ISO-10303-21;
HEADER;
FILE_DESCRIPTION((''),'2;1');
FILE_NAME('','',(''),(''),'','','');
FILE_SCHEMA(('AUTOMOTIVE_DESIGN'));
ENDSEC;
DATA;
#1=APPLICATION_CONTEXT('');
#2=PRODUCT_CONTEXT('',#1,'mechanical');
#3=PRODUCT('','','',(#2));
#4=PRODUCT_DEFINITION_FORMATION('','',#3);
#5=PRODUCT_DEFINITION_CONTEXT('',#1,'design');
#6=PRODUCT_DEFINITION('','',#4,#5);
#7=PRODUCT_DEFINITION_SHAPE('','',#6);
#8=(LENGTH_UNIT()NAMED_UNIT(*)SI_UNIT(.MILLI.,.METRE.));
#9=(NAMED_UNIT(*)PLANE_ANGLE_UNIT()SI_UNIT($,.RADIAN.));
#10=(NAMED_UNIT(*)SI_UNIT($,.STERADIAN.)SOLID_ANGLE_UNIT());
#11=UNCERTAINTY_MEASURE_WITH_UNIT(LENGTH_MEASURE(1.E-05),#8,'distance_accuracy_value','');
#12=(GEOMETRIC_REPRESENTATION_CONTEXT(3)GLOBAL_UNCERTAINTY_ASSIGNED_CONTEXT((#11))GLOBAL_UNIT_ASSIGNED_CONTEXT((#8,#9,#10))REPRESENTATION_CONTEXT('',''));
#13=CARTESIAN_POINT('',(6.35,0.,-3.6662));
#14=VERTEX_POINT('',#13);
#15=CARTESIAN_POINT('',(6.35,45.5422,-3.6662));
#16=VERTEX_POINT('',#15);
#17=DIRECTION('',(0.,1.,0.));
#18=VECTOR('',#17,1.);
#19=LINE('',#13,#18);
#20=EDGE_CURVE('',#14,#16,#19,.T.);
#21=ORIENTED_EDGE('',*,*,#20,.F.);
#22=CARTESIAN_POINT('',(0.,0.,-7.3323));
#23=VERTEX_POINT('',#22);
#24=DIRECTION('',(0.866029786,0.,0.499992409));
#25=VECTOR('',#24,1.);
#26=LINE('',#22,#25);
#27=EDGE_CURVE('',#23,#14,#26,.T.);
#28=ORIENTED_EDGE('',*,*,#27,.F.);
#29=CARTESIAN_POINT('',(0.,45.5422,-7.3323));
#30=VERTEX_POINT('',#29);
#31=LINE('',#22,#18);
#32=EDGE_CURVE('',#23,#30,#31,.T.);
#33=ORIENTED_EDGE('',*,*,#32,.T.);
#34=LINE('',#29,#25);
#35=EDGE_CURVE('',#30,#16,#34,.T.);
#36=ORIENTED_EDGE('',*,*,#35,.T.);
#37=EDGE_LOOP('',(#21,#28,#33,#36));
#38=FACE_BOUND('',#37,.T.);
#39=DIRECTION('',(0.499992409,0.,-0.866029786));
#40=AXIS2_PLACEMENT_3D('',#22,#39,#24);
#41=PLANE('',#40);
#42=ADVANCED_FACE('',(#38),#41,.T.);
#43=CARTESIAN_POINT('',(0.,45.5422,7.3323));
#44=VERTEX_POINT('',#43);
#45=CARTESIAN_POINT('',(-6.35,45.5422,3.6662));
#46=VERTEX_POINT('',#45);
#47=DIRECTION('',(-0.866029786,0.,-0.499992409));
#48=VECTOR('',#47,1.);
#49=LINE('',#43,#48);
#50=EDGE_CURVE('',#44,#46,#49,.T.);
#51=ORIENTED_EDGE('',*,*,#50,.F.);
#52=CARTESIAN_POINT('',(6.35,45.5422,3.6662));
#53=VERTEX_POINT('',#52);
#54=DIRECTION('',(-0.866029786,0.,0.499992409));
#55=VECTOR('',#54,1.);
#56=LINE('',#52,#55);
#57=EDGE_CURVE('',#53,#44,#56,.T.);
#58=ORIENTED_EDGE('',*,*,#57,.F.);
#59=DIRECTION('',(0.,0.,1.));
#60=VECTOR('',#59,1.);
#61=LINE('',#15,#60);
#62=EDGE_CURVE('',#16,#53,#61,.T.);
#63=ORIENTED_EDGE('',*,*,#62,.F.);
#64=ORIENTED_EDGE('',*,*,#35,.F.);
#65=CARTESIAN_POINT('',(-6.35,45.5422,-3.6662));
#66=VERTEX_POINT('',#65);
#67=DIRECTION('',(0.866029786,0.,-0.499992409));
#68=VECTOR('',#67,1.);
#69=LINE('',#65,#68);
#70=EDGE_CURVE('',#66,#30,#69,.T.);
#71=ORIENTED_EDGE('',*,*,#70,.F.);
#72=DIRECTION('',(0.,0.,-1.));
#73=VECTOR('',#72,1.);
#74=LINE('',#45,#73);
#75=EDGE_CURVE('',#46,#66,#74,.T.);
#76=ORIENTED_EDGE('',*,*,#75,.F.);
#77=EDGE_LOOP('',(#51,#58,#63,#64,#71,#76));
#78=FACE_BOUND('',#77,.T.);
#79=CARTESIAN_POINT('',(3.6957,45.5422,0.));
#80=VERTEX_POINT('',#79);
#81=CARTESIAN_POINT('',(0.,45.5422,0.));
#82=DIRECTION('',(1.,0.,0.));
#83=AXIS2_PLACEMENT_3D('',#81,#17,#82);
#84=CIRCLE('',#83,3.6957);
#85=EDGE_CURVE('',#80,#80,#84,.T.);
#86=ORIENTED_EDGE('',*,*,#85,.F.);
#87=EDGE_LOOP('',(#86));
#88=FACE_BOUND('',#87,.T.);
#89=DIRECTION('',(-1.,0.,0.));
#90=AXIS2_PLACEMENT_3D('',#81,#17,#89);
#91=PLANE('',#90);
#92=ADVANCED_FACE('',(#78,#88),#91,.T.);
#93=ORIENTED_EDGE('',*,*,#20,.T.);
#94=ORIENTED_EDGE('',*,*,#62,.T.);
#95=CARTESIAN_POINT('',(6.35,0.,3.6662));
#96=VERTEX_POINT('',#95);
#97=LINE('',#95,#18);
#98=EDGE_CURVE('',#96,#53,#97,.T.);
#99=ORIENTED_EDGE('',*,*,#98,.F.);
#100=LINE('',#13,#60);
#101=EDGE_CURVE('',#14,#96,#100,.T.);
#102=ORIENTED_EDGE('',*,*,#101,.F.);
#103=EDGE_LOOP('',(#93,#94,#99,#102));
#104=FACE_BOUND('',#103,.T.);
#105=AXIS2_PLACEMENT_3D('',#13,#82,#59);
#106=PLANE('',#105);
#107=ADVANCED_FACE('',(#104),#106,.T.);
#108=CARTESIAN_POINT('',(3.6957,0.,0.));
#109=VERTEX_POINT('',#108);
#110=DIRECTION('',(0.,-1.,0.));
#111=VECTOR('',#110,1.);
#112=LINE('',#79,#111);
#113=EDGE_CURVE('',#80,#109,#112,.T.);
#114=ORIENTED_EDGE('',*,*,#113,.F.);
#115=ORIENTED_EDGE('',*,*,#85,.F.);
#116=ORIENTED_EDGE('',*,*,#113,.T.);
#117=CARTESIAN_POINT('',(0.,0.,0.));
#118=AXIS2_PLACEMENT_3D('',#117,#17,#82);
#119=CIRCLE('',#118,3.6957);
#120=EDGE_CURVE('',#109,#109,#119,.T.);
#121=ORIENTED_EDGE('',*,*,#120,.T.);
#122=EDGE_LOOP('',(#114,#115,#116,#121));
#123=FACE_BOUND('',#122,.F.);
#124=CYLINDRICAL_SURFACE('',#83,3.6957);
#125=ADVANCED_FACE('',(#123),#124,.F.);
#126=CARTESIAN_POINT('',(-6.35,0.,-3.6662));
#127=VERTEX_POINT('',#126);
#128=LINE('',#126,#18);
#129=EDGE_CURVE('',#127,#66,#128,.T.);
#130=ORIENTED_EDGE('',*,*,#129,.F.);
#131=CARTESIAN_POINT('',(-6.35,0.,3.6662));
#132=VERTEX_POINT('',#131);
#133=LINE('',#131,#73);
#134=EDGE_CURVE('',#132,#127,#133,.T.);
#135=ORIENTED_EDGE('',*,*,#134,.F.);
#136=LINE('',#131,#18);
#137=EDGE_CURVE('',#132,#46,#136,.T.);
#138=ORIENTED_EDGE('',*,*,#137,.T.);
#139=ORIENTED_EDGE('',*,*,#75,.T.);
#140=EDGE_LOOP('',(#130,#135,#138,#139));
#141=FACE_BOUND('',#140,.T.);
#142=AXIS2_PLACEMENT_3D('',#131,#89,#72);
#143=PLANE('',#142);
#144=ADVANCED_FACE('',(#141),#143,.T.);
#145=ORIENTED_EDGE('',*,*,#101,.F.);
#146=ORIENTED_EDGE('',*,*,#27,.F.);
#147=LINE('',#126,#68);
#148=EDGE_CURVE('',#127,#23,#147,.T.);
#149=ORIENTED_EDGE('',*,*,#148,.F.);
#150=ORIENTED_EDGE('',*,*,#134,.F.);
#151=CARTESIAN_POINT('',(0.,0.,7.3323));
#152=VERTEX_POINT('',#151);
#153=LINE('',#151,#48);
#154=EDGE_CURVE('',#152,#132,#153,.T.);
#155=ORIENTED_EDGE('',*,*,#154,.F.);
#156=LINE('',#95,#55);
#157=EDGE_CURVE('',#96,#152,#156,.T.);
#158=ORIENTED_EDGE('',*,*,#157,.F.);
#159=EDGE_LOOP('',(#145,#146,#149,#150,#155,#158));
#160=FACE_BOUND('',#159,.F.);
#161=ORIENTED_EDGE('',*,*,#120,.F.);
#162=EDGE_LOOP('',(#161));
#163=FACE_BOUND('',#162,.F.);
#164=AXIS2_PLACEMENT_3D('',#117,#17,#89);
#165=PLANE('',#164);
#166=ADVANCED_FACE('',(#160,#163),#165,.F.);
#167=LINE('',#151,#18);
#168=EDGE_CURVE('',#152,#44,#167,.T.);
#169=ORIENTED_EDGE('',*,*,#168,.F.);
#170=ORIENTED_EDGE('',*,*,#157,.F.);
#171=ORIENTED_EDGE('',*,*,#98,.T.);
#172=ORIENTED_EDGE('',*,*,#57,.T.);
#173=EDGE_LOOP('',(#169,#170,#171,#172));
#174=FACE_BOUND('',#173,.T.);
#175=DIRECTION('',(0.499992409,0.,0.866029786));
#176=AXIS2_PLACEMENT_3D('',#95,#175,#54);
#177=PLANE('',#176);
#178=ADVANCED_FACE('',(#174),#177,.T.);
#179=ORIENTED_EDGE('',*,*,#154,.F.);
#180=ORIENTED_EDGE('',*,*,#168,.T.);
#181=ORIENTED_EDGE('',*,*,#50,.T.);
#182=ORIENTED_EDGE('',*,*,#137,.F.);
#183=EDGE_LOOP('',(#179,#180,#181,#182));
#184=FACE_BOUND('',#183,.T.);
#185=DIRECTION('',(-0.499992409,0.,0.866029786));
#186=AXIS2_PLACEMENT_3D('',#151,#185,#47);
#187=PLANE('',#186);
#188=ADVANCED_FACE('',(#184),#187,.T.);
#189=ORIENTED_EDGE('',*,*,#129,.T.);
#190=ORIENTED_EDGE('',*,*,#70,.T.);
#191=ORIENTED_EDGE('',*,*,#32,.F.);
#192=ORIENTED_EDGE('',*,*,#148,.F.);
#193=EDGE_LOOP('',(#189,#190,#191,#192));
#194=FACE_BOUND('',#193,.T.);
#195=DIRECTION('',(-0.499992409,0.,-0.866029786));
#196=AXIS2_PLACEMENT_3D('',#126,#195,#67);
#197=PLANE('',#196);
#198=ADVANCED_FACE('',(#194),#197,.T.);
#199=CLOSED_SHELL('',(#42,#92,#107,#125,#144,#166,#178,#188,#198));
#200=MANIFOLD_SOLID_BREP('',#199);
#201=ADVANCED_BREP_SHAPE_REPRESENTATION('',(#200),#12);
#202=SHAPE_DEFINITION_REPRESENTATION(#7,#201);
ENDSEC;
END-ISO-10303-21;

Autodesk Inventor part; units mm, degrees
ref_plane "YZ Plane" through (0, 0, 0) normal (1, 0, 0) x (0, 1, 0)
ref_plane "XZ Plane" through (0, 0, 0) normal (0, 1, 0) x (-1, 0, 0)
ref_plane "XY Plane" through (0, 0, 0) normal (0, 0, 1) x (1, 0, 0)
sketch "Sketch1" plane through (0, 0, 0) normal (0, 1, 0) x (-1, 0, 0)
  line L0 (0, -7.3323) -> (-6.35, -3.6662)
  line L1 (-6.35, -3.6662) -> (-6.35, 3.6662)
  line L2 (-6.35, 3.6662) -> (0, 7.3323)
  line L3 (0, 7.3323) -> (6.35, 3.6662)
  line L4 (6.35, 3.6662) -> (6.35, -3.6662)
  line L5 (6.35, -3.6662) -> (0, -7.3323)
  point P0 (0, 0)
  point P1 (0, 0)
  dimension "d0" = 12.7
extrude "Extrusion1" add sketch "Sketch1" along normal blind 45.5422
sketch "Sketch2" plane through (0, 45.5422, 0) normal (0, 1, 0) x (1, 0, 0)
  circle A0 centre (0, 0) radius 3.6957
  dimension "d3" = 7.3914
extrude "Extrusion2" cut sketch "Sketch2" against normal blind 45.5422
thread "Thread1" size "5/16-18 UNC" class "2B" standard "ANSI Unified Screw Threads" full length
properties part number "hexshaft_gearbox2"
